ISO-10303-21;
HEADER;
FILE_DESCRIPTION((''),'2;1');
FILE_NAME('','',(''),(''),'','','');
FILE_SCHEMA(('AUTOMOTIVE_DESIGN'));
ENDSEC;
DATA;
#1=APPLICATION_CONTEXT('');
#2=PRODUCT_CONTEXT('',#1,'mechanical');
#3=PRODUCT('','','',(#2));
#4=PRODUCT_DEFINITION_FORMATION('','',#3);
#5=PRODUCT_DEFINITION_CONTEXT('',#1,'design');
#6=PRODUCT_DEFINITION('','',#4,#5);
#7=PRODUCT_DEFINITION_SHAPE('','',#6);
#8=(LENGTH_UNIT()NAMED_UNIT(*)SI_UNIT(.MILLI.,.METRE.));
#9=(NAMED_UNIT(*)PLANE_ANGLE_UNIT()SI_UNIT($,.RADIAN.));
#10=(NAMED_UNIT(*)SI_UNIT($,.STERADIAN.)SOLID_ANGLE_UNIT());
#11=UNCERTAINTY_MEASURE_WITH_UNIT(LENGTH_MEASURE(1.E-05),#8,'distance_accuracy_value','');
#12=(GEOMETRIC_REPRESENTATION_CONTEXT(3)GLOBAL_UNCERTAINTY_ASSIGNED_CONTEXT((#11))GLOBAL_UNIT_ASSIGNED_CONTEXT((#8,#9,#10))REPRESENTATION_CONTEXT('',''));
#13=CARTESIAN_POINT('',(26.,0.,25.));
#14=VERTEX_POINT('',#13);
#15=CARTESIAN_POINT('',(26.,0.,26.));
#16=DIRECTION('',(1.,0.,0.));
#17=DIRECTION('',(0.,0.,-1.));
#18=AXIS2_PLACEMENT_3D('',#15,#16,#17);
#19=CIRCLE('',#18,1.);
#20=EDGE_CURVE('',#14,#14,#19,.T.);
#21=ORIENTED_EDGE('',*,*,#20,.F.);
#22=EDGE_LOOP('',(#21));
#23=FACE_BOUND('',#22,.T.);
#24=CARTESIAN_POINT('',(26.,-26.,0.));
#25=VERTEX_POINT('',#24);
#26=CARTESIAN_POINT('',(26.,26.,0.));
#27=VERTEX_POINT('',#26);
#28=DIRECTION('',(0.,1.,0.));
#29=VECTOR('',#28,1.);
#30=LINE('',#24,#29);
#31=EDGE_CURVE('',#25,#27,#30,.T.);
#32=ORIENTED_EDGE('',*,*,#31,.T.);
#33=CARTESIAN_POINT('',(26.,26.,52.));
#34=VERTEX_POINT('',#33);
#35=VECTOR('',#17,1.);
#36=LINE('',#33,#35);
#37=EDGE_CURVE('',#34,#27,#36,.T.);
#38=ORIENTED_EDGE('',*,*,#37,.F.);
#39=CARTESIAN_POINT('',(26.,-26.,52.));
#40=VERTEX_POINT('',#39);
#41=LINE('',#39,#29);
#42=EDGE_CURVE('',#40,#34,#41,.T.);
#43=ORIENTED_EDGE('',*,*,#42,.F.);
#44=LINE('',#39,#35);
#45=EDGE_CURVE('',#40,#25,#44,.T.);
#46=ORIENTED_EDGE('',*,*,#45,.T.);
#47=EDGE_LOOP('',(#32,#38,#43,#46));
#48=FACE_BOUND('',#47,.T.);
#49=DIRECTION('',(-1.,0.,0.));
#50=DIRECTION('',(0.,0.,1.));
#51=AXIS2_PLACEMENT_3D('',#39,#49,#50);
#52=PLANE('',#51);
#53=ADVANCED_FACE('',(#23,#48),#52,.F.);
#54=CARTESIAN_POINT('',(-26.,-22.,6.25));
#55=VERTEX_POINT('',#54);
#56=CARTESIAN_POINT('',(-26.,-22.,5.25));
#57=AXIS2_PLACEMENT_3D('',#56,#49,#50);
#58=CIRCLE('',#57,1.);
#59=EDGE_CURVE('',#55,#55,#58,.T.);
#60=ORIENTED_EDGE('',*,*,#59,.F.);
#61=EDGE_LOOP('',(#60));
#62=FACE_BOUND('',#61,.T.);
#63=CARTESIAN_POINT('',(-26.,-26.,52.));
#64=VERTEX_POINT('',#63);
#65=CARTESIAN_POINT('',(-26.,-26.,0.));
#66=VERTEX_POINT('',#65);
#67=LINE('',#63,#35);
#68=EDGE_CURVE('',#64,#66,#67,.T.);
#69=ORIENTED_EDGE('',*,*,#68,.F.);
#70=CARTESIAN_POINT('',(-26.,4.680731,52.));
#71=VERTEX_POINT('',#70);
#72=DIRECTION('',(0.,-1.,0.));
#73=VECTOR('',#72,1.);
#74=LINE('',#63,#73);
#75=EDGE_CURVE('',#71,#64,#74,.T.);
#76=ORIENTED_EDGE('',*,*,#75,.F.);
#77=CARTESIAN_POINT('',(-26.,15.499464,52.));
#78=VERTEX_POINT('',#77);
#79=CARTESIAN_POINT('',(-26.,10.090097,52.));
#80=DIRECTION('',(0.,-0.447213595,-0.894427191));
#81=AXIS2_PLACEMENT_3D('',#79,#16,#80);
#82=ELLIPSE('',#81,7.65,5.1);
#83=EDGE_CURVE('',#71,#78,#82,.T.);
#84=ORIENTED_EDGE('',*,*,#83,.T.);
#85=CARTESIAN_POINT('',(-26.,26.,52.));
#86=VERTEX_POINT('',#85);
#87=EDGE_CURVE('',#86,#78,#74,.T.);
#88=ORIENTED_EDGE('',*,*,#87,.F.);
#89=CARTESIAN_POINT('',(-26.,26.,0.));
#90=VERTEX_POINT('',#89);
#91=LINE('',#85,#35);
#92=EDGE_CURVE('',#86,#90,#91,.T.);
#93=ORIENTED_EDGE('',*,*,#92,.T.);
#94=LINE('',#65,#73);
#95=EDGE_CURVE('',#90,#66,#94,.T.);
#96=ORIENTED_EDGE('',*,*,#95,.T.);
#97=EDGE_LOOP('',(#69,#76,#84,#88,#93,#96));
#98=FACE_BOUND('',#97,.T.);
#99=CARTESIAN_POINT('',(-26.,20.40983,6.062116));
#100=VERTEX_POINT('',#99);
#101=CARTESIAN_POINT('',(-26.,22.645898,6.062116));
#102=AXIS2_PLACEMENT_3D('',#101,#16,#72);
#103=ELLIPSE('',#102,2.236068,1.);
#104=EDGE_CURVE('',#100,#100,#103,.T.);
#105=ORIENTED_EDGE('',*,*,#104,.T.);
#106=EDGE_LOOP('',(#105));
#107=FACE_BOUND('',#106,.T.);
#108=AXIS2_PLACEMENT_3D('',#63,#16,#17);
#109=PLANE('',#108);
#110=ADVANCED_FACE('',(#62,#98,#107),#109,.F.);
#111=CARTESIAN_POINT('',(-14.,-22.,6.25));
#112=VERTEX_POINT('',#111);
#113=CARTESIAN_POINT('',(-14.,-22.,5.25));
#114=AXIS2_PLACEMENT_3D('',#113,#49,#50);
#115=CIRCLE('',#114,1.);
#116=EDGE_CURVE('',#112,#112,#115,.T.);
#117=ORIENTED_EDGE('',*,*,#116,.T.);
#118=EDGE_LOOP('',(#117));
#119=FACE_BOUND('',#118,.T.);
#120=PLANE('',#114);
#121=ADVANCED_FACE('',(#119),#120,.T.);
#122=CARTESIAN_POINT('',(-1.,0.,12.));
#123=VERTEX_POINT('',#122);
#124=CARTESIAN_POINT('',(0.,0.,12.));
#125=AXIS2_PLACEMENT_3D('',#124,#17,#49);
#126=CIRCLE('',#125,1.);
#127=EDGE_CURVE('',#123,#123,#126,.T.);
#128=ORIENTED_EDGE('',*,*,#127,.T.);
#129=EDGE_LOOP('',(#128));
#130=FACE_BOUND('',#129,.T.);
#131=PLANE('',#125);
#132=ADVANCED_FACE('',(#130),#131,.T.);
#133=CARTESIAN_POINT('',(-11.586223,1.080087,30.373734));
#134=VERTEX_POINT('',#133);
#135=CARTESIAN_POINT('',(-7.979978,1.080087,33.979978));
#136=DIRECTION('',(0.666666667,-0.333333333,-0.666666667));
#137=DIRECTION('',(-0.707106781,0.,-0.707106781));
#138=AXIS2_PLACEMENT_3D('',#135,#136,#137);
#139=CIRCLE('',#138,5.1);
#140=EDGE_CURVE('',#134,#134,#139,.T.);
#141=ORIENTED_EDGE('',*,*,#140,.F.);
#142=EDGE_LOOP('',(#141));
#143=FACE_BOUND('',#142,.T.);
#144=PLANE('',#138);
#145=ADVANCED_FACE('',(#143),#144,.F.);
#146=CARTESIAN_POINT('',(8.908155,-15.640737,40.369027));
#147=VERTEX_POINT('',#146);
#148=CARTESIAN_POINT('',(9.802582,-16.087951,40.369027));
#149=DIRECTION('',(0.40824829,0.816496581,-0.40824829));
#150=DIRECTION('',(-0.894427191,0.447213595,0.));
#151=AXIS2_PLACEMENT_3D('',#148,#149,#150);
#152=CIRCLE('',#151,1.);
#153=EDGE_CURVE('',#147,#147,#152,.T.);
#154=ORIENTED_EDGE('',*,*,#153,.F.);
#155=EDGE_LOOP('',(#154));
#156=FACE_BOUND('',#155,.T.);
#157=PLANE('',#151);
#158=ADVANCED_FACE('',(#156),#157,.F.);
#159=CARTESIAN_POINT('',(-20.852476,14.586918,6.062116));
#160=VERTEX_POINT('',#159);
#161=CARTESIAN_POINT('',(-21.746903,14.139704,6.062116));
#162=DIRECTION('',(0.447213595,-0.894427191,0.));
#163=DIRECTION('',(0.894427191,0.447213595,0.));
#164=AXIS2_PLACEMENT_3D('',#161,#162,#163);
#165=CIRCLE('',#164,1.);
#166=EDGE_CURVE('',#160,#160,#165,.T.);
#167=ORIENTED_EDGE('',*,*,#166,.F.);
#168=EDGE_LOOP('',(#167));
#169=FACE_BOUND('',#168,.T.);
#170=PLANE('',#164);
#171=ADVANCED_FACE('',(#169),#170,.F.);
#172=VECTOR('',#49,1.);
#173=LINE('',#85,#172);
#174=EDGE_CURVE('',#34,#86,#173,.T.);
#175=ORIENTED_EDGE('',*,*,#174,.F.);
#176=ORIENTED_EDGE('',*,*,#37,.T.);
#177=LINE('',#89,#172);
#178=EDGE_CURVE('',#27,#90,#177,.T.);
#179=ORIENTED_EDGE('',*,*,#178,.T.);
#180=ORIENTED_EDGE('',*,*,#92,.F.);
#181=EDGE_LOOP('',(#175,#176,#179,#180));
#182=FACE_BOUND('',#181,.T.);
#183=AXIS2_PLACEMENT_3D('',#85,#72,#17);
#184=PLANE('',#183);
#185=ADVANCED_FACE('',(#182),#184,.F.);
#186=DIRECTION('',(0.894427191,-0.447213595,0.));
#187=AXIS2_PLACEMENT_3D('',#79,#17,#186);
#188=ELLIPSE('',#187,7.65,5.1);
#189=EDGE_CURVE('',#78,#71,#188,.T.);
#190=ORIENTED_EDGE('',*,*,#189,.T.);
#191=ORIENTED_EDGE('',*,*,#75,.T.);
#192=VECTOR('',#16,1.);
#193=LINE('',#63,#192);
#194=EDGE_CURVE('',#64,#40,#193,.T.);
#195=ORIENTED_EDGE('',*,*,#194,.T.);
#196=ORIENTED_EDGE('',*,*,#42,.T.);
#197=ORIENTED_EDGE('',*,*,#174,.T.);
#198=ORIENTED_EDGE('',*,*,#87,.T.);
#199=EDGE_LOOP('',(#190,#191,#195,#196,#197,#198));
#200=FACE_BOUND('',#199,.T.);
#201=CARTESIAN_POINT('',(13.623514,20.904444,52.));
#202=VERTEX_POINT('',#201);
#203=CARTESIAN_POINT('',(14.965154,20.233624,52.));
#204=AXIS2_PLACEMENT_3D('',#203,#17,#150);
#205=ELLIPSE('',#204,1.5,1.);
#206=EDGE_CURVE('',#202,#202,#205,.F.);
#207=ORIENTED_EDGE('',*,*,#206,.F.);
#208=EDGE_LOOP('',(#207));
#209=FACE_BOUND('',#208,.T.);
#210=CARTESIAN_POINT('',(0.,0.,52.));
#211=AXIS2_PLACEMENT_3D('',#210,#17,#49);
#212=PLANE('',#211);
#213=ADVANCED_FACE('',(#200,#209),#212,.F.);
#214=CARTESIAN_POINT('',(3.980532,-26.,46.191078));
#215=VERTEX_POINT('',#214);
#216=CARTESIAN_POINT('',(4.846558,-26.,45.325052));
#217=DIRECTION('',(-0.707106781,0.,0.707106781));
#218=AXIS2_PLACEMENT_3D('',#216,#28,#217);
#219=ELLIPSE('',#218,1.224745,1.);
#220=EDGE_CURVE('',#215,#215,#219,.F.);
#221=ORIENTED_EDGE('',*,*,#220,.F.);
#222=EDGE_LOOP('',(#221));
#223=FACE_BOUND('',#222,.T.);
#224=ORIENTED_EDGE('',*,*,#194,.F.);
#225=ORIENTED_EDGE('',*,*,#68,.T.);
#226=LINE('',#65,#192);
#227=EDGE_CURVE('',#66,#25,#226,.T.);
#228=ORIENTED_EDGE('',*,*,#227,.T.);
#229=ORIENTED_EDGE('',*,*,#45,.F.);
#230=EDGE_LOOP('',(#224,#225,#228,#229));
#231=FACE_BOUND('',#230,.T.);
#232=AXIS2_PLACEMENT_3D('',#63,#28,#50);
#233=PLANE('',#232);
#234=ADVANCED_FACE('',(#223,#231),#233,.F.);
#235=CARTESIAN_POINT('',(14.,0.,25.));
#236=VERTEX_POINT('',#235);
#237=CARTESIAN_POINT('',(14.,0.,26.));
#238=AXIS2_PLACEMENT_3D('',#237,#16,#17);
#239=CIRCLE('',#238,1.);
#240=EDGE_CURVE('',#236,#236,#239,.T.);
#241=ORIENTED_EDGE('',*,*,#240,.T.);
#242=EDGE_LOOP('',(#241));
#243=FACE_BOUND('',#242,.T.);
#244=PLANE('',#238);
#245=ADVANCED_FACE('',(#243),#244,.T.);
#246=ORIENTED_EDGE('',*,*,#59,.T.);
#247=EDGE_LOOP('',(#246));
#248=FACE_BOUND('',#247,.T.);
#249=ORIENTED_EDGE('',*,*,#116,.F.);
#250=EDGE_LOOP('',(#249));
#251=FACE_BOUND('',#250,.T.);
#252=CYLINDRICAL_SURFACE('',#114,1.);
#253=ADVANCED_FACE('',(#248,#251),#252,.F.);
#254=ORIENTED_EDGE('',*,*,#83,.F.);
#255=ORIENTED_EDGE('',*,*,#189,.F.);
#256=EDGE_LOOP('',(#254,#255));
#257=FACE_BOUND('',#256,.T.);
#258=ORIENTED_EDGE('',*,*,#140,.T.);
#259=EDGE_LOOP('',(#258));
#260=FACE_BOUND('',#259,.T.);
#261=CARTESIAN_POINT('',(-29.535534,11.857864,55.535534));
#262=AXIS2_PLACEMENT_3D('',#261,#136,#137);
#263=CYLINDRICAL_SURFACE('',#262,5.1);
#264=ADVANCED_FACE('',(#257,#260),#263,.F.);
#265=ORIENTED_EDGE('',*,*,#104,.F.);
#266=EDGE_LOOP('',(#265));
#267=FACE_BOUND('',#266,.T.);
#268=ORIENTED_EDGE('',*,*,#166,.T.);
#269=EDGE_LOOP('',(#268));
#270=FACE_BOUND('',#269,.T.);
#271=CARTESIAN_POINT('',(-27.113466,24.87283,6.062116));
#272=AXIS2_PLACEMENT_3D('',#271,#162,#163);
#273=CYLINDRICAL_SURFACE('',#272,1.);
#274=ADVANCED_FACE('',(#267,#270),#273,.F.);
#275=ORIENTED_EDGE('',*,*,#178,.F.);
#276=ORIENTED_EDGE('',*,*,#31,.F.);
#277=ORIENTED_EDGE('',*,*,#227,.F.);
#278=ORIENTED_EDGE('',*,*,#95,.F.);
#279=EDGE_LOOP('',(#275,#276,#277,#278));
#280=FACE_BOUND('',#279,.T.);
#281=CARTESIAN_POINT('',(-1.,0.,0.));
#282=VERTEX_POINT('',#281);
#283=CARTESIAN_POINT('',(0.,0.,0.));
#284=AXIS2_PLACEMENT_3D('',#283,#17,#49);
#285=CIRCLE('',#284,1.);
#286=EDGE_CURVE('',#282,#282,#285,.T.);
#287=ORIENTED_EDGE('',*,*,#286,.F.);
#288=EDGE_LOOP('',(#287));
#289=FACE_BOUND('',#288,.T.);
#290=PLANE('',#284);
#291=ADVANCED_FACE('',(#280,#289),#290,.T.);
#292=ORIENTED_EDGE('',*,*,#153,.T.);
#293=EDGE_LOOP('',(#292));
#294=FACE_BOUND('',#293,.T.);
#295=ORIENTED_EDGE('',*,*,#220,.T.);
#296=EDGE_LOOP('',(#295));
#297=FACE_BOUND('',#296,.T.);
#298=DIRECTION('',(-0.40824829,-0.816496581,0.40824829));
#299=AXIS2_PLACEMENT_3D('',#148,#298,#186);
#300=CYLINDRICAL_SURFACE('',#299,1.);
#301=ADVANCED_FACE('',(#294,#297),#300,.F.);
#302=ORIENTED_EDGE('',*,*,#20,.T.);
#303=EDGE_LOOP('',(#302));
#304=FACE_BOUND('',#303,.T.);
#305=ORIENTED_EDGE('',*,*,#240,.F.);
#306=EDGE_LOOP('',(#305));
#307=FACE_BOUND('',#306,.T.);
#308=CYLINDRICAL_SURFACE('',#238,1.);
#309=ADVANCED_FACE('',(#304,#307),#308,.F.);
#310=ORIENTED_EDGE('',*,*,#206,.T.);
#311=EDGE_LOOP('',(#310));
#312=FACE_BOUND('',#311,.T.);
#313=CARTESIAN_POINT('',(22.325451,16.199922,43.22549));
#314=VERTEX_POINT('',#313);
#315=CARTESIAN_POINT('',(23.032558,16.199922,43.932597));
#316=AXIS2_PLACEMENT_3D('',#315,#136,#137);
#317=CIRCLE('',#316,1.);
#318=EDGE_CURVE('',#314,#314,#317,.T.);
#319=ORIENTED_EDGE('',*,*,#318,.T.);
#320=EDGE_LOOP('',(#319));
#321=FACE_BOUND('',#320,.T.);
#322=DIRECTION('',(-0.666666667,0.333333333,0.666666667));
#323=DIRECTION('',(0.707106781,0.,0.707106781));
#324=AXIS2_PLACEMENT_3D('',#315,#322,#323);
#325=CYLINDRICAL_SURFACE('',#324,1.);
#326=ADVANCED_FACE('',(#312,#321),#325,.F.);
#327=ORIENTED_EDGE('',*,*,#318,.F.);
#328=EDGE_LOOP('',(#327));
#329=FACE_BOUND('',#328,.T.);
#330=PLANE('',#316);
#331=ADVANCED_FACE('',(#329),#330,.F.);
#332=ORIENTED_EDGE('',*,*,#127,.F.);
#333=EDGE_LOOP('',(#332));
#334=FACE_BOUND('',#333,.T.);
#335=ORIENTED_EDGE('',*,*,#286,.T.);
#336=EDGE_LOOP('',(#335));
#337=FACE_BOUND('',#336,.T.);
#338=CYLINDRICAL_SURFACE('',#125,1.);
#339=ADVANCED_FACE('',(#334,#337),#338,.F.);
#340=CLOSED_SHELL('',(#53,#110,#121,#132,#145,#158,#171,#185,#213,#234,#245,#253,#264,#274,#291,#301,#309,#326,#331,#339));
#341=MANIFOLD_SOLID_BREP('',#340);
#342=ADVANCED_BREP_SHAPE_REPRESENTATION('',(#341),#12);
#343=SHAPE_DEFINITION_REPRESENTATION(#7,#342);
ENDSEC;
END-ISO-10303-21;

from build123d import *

# Parameters (mm, degrees)
SQUARE_W             = 52
SQUARE_H             = 52
CUBE_EXTRUSION_DEPTH = 52
STICK_CUT_START      = 15
STICK_HOLE_R         = 5.1
STICK_CUT_DEPTH      = 90.048032459
SKETCH1_R            = 1
CUT_EXTRUDE1_DEPTH   = 24
SKETCH2_R            = 1
CUT_EXTRUDE2_DEPTH   = 12
SKETCH6_R            = 1
CUT_EXTRUDE4_DEPTH   = 6
SKETCH7_R            = 1
CUT_EXTRUDE5_DEPTH   = 12
SKETCH8_R            = 1
CUT_EXTRUDE6_DEPTH   = 12
SKETCH11_R           = 1
CUT_EXTRUDE7_DEPTH   = 25


with BuildPart() as part:
    # Square → Cube-Extrusion (new body)
    with BuildSketch(Plane.XY):
        Rectangle(SQUARE_W, SQUARE_H)
    extrude(amount=CUBE_EXTRUSION_DEPTH)

    # Stick-Hole → Stick-Cut (cut, through all)
    with BuildSketch(Plane(origin=(-28.888888889, 14.444444444, 28.888888889), x_dir=(-0.7453559924999299, -0.2981423969999719, -0.596284793999944), z_dir=(0.6666666666666667, -0.3333333333333332, -0.6666666666666667)).offset(STICK_CUT_START)):
        with Locations(Location((-14.635839315, -14.230249471, 0), (0, 0, 18.434948823))):
            Circle(STICK_HOLE_R)
    extrude(amount=-STICK_CUT_DEPTH, mode=Mode.SUBTRACT)

    # Sketch1 → Cut-Extrude1 (cut)
    with BuildSketch(Plane(origin=(-28.888888889, 14.444444444, 28.888888889), x_dir=(-0.7453559924999299, -0.2981423969999719, -0.596284793999944), z_dir=(0.6666666666666667, -0.3333333333333332, -0.6666666666666667))):
        with Locations(Location((-48.193677872, -5.157603573, 0), (0, 0, 36.869897646))):
            Circle(SKETCH1_R)
    extrude(amount=CUT_EXTRUDE1_DEPTH, mode=Mode.SUBTRACT)

    # Sketch2 → Cut-Extrude2 (cut)
    with BuildSketch(Plane.ZY.offset(26)):
        with Locations((5.25, -22)):
            Circle(SKETCH2_R)
    extrude(amount=-CUT_EXTRUDE2_DEPTH, mode=Mode.SUBTRACT)

    # Sketch6 → Cut-Extrude4 (cut, symmetric)
    with BuildSketch(Plane(origin=(-12.68854382, 25.37708764, 0), x_dir=(-0.894427190999916, -0.4472135954999577, 0), z_dir=(0.4472135954999577, -0.894427190999916, 0))):
        with Locations(Location((13.127553483, -6.062116333, 0), (0, 0, 180))):
            Circle(SKETCH6_R)
    extrude(amount=CUT_EXTRUDE4_DEPTH, both=True, mode=Mode.SUBTRACT)

    # Sketch7 → Cut-Extrude5 (cut)
    with BuildSketch(Plane(origin=(26, 0, 0), x_dir=(0, 0, -1), z_dir=(1, 0, 0))):
        with Locations((-26, 0)):
            Circle(SKETCH7_R)
    extrude(amount=-CUT_EXTRUDE5_DEPTH, mode=Mode.SUBTRACT)

    # Sketch8 → Cut-Extrude6 (cut)
    with BuildSketch(Plane(origin=(0, 0, 0), x_dir=(-1, 0, 0), z_dir=(0, 0, -1))):
        Circle(SKETCH8_R)
    extrude(amount=-CUT_EXTRUDE6_DEPTH, mode=Mode.SUBTRACT)

    # Sketch11 → Cut-Extrude7 (cut)
    with BuildSketch(Plane(origin=(-20.663264952, -41.326529904, 20.663264952), x_dir=(0.9128709291752769, -0.3651483716701108, 0.18257418583505525), z_dir=(0.4082482904638631, 0.8164965809277261, -0.4082482904638629))):
        with Locations(Location((22.193323836, -28.912405603, 0), (0, 0, 230.768479516))):
            Circle(SKETCH11_R)
    extrude(amount=CUT_EXTRUDE7_DEPTH, mode=Mode.SUBTRACT)


solid = part.part
